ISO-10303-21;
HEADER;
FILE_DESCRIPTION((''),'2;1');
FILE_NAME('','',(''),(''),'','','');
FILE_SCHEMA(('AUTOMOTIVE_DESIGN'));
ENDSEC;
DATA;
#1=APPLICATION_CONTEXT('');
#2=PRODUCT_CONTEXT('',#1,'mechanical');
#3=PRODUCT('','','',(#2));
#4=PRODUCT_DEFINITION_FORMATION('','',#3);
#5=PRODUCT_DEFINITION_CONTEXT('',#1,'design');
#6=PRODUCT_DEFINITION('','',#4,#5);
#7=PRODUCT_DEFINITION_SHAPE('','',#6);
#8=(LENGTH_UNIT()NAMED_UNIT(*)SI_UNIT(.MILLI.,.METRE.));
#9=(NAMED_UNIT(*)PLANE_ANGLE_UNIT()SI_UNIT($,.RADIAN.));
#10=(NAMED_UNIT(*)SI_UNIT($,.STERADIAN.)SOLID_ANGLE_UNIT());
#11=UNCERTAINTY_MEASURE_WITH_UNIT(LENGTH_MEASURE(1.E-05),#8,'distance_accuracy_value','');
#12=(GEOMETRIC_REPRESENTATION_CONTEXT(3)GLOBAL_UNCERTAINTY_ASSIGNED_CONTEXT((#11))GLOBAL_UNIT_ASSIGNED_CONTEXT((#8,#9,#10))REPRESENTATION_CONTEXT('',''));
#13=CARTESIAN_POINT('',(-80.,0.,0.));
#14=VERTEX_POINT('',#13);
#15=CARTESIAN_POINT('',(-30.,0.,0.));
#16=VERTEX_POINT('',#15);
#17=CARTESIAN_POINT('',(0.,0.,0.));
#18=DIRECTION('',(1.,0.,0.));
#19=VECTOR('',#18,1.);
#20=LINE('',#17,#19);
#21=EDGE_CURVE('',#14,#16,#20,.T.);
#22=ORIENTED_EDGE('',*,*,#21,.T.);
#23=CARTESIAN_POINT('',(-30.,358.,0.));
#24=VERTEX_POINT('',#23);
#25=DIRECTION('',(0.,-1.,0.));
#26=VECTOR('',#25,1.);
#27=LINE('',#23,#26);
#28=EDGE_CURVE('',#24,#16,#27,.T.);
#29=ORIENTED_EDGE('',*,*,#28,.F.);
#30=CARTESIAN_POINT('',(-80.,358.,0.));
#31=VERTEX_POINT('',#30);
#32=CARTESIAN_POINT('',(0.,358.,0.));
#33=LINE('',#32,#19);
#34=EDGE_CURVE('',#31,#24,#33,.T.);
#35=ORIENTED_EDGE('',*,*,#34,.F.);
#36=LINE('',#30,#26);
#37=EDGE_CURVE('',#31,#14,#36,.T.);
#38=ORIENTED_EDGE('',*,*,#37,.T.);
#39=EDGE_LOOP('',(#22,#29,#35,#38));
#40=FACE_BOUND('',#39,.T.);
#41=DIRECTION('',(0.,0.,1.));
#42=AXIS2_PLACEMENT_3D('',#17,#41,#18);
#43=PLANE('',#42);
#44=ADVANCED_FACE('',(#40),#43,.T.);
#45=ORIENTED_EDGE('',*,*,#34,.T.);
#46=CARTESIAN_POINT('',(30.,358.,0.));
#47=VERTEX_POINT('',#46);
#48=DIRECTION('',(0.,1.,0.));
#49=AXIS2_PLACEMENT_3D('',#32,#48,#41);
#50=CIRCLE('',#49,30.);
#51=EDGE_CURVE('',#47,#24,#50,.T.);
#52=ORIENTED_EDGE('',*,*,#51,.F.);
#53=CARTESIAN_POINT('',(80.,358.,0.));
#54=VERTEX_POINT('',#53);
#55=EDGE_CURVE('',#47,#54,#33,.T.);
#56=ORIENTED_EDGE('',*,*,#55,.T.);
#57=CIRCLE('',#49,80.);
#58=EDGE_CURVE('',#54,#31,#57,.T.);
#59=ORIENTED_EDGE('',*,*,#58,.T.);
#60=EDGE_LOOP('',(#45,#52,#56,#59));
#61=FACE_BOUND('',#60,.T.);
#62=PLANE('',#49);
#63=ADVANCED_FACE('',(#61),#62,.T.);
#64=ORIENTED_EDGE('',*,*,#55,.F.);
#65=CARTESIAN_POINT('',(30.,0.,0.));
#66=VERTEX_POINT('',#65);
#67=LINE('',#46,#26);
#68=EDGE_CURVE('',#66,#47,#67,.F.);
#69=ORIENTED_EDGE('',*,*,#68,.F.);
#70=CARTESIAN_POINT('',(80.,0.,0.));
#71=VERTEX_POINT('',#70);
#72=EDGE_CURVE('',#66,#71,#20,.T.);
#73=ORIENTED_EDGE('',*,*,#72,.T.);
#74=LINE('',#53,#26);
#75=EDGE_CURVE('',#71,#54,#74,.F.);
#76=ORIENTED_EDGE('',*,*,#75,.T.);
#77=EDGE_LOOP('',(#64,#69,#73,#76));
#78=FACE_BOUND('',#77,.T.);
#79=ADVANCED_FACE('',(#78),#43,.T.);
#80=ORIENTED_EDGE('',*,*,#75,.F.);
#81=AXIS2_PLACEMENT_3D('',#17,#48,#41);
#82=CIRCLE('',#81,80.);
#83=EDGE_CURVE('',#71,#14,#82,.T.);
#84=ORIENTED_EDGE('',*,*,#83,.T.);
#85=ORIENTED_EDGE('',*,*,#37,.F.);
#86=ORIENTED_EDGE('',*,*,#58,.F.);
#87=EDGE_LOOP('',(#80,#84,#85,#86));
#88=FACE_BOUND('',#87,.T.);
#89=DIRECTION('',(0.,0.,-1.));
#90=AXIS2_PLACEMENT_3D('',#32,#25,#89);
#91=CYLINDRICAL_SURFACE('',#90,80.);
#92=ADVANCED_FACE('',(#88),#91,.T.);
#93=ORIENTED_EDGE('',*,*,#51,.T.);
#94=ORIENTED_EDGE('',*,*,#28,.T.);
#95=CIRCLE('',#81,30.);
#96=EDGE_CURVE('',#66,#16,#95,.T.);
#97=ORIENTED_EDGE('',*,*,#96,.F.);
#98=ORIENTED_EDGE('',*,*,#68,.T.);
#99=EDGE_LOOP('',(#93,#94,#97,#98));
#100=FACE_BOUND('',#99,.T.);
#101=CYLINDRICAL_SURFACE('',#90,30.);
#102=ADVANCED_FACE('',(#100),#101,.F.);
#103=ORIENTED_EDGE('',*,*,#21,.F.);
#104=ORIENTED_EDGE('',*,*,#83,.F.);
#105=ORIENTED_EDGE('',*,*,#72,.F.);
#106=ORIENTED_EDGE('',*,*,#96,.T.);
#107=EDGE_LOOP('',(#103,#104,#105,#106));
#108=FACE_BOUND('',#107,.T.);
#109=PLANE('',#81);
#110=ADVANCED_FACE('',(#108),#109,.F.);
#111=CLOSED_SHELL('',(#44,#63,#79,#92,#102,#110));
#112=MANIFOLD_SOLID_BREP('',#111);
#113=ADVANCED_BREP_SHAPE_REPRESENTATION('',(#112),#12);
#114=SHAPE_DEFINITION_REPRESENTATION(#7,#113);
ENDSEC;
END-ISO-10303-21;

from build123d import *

# Parameters (mm, degrees)
SKETCH1_R           = 80
SKETCH1_R_2         = 30
BOSS_EXTRUDE1_DEPTH = 358


with BuildPart() as part:
    # Sketch1 → Boss-Extrude1 (new body)
    with BuildSketch(Plane(origin=(0, 0, 0), x_dir=(1, 0, 0), z_dir=(0, 1, 0))):
        with Locations(Location((0, 0, 0), (0, 0, 90))):
            Circle(SKETCH1_R)
        with Locations(Location((0, 0, 0), (0, 0, 90))):
            Circle(SKETCH1_R_2, mode=Mode.SUBTRACT)
    extrude(amount=BOSS_EXTRUDE1_DEPTH)

    # Split1
    split(bisect_by=Plane.XY, keep=Keep.BOTTOM)


solid = part.part
